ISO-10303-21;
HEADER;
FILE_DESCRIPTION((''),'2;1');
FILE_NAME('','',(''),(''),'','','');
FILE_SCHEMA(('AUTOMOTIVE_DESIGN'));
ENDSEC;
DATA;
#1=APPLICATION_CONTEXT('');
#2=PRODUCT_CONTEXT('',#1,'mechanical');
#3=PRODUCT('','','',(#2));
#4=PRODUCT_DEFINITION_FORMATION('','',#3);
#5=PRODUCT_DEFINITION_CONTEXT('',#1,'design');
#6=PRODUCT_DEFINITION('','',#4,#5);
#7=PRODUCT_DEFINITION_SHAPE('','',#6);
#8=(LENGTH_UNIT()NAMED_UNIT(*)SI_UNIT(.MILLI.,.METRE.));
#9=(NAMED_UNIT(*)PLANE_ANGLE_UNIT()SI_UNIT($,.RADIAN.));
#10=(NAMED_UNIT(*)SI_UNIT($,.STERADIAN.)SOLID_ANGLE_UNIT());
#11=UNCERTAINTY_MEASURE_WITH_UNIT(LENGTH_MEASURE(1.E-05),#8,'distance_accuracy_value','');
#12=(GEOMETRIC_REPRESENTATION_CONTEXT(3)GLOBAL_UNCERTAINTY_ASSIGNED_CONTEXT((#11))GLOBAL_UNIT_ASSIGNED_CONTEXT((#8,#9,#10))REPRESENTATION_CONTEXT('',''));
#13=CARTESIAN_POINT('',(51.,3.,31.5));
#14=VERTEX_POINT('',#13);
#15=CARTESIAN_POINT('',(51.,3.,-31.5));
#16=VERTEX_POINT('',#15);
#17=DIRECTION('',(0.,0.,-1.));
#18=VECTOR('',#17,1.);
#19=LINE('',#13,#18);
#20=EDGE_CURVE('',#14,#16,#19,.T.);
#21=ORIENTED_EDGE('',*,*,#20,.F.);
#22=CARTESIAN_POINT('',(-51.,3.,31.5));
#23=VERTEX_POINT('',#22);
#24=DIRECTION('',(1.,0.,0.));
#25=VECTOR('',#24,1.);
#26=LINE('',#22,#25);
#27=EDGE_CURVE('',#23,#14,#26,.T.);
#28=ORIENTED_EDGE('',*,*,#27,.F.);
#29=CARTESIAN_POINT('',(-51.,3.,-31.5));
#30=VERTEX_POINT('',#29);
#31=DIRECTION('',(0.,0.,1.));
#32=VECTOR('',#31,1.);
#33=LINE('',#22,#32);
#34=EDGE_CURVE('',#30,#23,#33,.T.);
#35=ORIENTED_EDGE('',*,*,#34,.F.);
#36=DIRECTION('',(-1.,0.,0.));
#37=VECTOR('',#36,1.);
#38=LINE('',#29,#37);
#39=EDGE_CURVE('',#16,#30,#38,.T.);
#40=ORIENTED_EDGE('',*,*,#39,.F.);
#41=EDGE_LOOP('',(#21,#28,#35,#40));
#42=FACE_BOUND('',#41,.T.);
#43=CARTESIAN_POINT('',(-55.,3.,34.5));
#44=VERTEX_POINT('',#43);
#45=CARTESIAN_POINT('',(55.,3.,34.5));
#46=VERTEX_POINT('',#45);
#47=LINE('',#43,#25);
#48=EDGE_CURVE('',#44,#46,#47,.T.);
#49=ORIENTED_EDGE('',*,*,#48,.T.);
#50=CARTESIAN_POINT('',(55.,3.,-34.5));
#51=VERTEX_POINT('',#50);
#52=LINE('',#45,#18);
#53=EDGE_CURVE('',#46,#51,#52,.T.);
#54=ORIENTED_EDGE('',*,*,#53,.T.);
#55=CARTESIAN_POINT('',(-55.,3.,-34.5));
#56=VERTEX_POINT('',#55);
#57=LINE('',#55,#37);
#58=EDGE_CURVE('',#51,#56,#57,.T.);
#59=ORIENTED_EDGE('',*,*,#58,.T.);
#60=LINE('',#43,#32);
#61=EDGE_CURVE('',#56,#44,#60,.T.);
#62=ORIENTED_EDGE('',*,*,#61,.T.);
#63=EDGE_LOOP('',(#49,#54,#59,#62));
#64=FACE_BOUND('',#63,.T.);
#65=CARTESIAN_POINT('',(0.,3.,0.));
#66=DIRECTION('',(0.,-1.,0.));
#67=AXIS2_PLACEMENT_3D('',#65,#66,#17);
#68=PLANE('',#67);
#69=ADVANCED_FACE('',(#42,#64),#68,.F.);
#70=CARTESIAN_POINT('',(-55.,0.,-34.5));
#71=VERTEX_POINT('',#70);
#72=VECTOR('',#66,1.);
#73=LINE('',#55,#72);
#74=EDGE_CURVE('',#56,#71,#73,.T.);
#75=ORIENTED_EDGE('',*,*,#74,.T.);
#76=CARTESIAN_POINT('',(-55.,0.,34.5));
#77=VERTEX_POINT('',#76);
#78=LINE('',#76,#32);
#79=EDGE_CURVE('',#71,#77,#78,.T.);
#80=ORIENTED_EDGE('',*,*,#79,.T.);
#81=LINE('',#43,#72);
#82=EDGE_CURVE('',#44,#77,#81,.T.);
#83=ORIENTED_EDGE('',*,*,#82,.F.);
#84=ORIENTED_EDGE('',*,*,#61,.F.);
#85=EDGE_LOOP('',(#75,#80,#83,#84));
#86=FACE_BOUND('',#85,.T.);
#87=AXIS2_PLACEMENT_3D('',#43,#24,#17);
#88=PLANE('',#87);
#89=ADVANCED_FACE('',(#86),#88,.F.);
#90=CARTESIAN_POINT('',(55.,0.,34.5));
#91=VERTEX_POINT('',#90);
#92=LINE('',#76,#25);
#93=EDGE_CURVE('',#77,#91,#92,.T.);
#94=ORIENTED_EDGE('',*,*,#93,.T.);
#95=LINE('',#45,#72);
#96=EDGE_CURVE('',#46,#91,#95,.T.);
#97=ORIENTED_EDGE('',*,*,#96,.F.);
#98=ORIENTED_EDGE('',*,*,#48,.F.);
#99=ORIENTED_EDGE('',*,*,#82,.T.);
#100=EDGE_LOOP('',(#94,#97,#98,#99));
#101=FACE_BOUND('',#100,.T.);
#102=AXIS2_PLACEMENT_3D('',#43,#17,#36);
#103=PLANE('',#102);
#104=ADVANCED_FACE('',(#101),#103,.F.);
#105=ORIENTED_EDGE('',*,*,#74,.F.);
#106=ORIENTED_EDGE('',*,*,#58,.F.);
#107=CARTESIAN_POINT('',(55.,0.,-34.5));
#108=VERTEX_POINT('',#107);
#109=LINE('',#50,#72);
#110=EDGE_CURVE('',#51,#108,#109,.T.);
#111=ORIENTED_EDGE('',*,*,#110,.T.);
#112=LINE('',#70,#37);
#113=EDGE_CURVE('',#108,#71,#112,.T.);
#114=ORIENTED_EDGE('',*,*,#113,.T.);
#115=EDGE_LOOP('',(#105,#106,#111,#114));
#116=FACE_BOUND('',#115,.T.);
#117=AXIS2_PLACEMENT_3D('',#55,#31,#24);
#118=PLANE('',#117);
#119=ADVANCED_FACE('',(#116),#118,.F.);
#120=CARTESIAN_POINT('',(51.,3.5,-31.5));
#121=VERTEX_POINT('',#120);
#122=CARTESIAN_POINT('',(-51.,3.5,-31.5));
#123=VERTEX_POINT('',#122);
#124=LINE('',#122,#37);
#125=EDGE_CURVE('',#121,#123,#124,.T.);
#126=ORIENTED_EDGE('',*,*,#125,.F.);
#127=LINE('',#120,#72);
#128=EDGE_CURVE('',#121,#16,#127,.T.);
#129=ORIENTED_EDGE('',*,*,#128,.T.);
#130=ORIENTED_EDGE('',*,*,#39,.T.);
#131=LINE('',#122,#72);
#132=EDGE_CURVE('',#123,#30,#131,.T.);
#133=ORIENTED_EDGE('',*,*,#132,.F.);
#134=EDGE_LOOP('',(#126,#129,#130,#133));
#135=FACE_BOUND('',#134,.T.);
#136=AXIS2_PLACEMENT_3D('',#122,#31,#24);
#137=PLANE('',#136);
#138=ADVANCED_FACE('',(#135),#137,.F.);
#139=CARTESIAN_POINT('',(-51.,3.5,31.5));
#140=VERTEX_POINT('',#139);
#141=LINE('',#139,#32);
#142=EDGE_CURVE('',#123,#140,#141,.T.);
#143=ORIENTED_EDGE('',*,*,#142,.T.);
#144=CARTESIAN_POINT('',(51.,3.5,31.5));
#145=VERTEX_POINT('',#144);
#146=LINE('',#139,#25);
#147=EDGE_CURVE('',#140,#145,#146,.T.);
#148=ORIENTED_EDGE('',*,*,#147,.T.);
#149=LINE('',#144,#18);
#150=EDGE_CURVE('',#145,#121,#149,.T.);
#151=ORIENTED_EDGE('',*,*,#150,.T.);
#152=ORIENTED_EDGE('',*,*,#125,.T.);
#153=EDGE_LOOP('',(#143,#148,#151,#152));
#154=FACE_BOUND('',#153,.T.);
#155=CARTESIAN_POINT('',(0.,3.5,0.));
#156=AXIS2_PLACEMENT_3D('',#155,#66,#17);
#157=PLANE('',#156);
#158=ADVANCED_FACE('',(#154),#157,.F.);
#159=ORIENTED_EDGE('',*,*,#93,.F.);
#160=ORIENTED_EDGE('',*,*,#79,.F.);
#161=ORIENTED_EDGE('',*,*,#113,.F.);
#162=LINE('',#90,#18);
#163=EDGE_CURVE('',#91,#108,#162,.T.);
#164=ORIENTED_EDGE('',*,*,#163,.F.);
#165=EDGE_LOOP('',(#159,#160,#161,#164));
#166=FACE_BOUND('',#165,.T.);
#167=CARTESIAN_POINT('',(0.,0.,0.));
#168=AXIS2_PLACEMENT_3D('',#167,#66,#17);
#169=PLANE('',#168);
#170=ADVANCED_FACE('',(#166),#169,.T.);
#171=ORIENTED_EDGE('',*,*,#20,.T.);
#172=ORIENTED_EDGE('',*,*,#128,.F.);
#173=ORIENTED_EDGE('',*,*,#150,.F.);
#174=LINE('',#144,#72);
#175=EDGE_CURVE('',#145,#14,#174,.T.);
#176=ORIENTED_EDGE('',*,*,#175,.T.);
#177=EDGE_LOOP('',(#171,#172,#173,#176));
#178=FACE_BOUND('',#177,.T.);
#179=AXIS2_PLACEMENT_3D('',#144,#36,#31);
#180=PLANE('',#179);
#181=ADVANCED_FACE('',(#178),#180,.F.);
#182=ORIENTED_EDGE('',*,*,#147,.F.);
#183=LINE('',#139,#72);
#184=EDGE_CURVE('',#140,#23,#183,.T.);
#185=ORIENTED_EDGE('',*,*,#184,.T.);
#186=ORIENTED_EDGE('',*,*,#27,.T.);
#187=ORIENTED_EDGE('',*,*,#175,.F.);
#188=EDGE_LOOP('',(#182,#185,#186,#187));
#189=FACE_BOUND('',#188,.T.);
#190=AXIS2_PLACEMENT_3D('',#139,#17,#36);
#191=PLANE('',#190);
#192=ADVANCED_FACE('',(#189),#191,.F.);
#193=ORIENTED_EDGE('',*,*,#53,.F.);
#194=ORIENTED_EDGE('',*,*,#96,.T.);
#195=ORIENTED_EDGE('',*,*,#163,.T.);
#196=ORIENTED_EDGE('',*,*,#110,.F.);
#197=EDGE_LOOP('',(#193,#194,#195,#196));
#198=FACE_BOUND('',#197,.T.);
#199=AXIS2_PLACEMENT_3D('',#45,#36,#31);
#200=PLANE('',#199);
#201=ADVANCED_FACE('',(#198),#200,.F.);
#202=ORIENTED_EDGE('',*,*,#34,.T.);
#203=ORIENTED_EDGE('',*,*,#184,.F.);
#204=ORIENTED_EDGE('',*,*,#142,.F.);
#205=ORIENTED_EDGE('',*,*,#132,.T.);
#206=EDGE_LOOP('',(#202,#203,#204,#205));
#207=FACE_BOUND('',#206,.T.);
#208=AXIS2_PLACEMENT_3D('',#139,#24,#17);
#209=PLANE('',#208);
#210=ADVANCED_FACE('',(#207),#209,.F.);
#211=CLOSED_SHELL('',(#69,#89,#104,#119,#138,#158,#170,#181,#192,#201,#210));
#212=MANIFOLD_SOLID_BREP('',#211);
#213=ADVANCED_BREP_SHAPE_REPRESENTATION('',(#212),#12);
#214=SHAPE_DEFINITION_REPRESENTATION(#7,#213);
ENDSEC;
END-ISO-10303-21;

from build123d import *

# Parameters (mm, degrees)
SKETCH1_W           = 110
SKETCH1_H           = 69
BOSS_EXTRUDE3_DEPTH = 3
SKETCH2_W           = 102
SKETCH2_H           = 63
BOSS_EXTRUDE4_DEPTH = 0.5


with BuildPart() as part:
    # Sketch1 → Boss-Extrude3 (new body)
    with BuildSketch(Plane(origin=(0, 0, 0), x_dir=(1, 0, 0), z_dir=(0, 1, 0))):
        Rectangle(SKETCH1_W, SKETCH1_H)
    extrude(amount=BOSS_EXTRUDE3_DEPTH)

    # Sketch2 → Boss-Extrude4 (add)
    with BuildSketch(Plane(origin=(0, 3, 0), x_dir=(1, 0, 0), z_dir=(0, 1, 0))):
        Rectangle(SKETCH2_W, SKETCH2_H)
    extrude(amount=BOSS_EXTRUDE4_DEPTH)


solid = part.part
